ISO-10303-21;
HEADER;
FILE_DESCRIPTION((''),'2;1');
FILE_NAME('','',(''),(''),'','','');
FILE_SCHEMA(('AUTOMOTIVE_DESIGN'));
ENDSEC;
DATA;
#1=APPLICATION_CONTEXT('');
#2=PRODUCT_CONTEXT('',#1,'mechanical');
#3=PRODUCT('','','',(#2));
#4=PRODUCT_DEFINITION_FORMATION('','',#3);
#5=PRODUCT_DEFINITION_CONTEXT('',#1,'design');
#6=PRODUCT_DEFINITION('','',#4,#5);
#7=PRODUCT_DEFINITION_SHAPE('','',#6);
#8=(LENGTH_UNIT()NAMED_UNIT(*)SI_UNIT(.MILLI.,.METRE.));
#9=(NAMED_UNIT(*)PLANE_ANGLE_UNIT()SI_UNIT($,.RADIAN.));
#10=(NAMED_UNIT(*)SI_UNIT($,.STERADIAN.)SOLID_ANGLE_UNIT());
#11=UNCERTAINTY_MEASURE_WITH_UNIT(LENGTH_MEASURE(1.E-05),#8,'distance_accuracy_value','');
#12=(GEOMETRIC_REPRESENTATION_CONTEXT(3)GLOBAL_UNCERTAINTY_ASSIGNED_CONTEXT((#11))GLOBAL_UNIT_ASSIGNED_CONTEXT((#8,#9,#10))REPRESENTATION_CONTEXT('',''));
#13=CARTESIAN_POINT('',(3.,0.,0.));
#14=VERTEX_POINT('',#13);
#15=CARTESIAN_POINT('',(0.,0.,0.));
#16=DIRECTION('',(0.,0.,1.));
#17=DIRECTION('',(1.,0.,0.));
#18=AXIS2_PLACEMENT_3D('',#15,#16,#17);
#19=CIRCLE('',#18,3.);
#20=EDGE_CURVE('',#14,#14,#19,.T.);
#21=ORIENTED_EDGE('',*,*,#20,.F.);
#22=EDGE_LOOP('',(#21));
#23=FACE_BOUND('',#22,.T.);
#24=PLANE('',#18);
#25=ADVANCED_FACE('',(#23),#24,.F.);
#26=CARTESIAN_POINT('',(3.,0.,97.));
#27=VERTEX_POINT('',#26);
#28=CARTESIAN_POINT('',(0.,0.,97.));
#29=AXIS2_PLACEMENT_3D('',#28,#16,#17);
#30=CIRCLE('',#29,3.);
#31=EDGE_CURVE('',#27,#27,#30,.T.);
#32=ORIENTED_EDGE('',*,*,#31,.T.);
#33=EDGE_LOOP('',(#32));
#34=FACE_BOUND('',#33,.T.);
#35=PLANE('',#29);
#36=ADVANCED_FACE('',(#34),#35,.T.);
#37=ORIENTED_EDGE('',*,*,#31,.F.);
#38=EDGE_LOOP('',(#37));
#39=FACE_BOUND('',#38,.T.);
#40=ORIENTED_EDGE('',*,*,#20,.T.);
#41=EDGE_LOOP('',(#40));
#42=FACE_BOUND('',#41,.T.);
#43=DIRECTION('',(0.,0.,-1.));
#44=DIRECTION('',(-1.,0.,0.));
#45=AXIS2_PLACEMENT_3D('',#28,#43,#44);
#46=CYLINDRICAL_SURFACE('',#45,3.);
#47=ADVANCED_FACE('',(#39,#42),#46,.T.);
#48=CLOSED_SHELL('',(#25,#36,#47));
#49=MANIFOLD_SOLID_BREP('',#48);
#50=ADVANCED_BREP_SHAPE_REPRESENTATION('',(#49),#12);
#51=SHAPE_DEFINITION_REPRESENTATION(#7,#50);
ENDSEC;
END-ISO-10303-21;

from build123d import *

# Parameters (mm, degrees)
SKETCH1_R           = 3
BOSS_EXTRUDE1_DEPTH = 97


with BuildPart() as part:
    # Sketch1 → Boss-Extrude1 (new body)
    with BuildSketch(Plane.XY):
        Circle(SKETCH1_R)
    extrude(amount=BOSS_EXTRUDE1_DEPTH)


solid = part.part
